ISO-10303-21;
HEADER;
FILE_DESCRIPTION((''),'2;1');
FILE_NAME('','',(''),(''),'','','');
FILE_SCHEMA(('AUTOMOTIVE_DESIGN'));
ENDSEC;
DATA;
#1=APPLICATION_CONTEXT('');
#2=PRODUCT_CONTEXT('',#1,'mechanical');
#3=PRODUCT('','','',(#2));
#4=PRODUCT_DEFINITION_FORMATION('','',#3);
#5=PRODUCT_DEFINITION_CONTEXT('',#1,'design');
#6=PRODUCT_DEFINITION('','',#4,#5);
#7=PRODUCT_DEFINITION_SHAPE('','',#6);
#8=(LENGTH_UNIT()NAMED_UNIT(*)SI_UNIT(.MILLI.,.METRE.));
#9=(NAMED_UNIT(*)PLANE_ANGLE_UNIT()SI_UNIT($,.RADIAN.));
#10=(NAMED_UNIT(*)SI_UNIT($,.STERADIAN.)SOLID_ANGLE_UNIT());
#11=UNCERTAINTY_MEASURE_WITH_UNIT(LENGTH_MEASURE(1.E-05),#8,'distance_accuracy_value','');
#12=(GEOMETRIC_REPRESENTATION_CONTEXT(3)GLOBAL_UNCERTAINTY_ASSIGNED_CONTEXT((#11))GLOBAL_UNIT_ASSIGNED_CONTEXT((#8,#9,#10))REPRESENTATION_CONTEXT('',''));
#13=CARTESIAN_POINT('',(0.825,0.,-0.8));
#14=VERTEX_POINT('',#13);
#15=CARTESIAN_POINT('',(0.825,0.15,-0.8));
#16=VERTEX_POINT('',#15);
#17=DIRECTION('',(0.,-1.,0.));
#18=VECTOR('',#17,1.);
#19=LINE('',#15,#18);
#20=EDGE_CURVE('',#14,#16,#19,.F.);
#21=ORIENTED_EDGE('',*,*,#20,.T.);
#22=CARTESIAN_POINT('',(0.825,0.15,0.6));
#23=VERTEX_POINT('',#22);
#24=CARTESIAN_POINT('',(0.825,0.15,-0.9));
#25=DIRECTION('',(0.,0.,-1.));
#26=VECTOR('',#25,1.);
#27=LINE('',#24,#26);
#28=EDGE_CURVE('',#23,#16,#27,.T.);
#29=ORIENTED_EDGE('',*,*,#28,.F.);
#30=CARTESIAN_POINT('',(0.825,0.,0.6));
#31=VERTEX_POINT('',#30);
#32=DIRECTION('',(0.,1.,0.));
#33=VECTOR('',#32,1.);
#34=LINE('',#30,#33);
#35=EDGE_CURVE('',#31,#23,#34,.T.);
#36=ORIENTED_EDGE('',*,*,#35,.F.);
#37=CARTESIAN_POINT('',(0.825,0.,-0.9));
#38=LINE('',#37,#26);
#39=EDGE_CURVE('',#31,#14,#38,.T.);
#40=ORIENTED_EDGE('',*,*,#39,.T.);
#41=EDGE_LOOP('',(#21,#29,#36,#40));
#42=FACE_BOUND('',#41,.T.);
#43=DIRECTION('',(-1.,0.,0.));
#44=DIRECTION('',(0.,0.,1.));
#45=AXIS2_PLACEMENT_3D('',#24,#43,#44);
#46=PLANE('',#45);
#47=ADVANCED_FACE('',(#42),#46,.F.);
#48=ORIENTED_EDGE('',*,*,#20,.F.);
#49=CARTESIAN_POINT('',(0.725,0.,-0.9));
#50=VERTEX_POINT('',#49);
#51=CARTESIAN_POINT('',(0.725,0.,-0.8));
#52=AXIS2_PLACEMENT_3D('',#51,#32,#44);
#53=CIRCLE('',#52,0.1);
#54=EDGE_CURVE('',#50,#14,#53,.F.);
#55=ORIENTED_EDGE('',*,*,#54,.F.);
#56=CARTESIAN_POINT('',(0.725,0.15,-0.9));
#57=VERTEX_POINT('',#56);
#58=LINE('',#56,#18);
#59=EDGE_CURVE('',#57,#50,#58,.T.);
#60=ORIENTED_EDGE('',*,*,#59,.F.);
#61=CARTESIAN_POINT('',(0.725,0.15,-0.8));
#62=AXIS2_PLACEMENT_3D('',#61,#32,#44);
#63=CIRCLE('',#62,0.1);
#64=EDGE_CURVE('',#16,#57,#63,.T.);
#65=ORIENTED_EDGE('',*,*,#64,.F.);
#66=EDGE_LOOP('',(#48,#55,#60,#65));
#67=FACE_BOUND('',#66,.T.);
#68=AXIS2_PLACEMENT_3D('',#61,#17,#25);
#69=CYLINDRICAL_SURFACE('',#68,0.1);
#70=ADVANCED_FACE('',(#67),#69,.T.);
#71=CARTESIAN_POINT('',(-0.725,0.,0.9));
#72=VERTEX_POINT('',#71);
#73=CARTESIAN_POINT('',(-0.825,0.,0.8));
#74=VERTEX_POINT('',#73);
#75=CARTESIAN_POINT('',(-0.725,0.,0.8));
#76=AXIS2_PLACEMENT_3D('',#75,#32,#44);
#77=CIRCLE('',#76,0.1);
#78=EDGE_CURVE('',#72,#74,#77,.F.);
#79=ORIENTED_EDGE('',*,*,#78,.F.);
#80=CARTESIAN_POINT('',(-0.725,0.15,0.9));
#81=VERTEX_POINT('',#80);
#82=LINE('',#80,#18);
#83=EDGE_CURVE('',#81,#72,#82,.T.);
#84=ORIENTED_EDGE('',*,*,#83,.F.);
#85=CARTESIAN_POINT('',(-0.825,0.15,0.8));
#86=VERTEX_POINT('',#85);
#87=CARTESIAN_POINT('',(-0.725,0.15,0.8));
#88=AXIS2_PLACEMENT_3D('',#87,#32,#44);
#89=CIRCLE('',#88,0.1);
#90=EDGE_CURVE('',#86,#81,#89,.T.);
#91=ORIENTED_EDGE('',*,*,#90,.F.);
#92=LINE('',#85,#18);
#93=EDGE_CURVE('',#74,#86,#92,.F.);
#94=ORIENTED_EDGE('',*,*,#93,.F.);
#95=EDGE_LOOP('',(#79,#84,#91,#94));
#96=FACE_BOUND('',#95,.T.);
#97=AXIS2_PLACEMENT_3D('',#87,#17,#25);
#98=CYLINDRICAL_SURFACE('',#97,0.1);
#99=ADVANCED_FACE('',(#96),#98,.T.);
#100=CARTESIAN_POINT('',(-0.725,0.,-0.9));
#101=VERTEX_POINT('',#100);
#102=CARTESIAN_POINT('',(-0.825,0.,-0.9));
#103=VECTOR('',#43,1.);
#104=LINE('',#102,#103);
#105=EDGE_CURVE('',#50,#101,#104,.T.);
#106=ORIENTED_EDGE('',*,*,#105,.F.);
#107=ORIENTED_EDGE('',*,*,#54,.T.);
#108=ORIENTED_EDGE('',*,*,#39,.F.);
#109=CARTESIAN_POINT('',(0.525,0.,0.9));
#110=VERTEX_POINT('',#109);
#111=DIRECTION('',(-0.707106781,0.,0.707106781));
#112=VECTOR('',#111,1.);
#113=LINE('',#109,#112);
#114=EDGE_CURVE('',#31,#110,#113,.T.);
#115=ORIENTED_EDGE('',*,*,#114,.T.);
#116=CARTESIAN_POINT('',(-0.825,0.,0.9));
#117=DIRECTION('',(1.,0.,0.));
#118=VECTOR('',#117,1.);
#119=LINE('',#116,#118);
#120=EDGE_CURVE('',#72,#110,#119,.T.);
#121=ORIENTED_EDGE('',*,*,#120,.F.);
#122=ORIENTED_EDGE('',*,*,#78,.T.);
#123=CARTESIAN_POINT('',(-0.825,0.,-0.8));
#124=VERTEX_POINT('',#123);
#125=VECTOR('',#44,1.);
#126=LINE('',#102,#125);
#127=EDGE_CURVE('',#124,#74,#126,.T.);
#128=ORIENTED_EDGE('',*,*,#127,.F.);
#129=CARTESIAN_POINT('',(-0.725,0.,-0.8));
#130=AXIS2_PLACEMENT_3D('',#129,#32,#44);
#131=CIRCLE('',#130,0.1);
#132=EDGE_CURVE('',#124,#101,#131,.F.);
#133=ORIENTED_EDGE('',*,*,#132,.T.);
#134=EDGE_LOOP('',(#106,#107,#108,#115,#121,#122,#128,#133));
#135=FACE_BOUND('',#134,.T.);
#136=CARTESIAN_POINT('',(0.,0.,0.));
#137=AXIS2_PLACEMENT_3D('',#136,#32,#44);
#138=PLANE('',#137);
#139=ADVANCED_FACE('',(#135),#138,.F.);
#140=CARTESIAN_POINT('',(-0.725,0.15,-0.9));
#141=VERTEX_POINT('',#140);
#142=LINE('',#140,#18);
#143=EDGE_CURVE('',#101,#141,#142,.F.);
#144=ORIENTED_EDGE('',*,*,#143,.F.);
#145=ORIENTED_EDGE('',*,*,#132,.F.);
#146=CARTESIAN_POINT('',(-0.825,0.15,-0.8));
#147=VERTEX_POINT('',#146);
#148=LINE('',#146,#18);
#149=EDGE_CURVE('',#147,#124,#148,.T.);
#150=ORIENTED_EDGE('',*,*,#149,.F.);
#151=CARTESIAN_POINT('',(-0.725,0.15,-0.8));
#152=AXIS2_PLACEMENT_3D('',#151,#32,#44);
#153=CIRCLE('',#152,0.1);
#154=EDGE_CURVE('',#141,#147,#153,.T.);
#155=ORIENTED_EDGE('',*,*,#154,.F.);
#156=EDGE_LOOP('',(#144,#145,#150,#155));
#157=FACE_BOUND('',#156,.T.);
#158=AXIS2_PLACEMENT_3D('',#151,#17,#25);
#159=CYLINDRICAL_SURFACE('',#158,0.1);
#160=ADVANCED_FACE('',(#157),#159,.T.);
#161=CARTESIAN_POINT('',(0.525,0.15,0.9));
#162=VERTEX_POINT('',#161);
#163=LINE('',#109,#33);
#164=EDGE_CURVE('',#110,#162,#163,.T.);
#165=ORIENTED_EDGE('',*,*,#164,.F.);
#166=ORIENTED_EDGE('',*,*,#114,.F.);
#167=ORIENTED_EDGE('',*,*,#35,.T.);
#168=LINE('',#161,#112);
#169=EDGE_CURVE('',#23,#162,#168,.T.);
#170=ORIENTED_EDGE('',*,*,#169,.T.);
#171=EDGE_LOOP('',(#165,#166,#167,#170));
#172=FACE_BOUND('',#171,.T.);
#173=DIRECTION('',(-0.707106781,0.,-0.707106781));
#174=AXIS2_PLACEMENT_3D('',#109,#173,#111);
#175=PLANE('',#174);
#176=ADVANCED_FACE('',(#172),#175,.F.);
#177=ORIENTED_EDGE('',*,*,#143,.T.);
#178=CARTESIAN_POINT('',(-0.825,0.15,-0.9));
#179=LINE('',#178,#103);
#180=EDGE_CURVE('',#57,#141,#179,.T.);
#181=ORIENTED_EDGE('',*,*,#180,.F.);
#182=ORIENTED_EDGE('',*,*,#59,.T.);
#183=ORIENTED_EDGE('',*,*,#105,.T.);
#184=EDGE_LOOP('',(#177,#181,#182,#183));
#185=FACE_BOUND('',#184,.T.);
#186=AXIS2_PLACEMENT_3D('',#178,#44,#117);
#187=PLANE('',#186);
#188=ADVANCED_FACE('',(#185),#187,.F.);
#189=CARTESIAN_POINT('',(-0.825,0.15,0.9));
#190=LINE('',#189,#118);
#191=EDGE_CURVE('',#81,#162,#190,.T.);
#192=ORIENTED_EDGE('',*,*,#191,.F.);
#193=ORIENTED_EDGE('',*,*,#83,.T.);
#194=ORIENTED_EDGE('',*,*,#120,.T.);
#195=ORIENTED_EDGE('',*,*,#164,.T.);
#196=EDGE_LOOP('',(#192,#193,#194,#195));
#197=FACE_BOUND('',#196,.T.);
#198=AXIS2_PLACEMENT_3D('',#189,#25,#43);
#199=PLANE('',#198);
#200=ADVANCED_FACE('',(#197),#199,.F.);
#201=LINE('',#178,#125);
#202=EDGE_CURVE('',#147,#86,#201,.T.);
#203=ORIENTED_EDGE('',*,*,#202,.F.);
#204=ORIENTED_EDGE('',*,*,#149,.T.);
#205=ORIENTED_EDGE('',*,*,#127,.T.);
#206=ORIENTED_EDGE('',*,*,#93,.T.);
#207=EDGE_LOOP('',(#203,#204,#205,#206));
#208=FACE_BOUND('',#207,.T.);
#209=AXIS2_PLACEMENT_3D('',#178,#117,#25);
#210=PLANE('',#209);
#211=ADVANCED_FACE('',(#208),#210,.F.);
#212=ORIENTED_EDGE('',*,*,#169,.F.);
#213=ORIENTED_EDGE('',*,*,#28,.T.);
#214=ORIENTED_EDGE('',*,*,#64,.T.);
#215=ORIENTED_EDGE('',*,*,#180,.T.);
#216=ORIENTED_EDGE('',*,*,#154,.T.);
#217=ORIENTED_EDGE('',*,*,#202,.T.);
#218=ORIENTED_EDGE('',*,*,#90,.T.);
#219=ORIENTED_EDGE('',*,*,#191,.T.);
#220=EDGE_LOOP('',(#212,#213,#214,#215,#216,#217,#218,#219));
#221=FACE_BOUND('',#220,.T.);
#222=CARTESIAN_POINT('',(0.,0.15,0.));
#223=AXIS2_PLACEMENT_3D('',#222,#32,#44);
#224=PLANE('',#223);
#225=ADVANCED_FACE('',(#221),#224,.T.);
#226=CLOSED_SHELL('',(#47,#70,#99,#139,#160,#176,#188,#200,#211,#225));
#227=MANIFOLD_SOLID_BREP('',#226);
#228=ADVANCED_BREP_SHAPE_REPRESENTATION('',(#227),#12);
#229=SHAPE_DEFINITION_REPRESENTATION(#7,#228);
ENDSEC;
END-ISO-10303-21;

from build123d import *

# Parameters (mm, degrees)
SKETCH1_W           = 1.65
SKETCH1_H           = 1.8
BOSS_EXTRUDE1_DEPTH = 0.15
CUT_EXTRUDE1_DEPTH  = 1.15
FILLET1_R           = 0.1


with BuildPart() as part:
    # Sketch1 → Boss-Extrude1 (new body)
    with BuildSketch(Plane(origin=(0, 0, 0), x_dir=(1, 0, 0), z_dir=(0, 1, 0))):
        Rectangle(SKETCH1_W, SKETCH1_H)
    extrude(amount=BOSS_EXTRUDE1_DEPTH)

    # Sketch2 → Cut-Extrude1 (cut, through all)
    with BuildSketch(Plane(origin=(0, 0.15, 0), x_dir=(1, 0, 0), z_dir=(0, 1, 0))):
        Polygon((0.525, -0.9), (0.825, -0.6), (0.825, -0.9), align=None)
    extrude(amount=-CUT_EXTRUDE1_DEPTH, mode=Mode.SUBTRACT)

    # Fillet1
    fillet1_edges = [part.edges().sort_by_distance(p)[0] for p in [
        (-0.825, 0.075, 0.9),
        (-0.825, 0.075, -0.9),
        (0.825, 0.075, -0.9),
    ]]
    fillet(fillet1_edges, radius=FILLET1_R)


solid = part.part
